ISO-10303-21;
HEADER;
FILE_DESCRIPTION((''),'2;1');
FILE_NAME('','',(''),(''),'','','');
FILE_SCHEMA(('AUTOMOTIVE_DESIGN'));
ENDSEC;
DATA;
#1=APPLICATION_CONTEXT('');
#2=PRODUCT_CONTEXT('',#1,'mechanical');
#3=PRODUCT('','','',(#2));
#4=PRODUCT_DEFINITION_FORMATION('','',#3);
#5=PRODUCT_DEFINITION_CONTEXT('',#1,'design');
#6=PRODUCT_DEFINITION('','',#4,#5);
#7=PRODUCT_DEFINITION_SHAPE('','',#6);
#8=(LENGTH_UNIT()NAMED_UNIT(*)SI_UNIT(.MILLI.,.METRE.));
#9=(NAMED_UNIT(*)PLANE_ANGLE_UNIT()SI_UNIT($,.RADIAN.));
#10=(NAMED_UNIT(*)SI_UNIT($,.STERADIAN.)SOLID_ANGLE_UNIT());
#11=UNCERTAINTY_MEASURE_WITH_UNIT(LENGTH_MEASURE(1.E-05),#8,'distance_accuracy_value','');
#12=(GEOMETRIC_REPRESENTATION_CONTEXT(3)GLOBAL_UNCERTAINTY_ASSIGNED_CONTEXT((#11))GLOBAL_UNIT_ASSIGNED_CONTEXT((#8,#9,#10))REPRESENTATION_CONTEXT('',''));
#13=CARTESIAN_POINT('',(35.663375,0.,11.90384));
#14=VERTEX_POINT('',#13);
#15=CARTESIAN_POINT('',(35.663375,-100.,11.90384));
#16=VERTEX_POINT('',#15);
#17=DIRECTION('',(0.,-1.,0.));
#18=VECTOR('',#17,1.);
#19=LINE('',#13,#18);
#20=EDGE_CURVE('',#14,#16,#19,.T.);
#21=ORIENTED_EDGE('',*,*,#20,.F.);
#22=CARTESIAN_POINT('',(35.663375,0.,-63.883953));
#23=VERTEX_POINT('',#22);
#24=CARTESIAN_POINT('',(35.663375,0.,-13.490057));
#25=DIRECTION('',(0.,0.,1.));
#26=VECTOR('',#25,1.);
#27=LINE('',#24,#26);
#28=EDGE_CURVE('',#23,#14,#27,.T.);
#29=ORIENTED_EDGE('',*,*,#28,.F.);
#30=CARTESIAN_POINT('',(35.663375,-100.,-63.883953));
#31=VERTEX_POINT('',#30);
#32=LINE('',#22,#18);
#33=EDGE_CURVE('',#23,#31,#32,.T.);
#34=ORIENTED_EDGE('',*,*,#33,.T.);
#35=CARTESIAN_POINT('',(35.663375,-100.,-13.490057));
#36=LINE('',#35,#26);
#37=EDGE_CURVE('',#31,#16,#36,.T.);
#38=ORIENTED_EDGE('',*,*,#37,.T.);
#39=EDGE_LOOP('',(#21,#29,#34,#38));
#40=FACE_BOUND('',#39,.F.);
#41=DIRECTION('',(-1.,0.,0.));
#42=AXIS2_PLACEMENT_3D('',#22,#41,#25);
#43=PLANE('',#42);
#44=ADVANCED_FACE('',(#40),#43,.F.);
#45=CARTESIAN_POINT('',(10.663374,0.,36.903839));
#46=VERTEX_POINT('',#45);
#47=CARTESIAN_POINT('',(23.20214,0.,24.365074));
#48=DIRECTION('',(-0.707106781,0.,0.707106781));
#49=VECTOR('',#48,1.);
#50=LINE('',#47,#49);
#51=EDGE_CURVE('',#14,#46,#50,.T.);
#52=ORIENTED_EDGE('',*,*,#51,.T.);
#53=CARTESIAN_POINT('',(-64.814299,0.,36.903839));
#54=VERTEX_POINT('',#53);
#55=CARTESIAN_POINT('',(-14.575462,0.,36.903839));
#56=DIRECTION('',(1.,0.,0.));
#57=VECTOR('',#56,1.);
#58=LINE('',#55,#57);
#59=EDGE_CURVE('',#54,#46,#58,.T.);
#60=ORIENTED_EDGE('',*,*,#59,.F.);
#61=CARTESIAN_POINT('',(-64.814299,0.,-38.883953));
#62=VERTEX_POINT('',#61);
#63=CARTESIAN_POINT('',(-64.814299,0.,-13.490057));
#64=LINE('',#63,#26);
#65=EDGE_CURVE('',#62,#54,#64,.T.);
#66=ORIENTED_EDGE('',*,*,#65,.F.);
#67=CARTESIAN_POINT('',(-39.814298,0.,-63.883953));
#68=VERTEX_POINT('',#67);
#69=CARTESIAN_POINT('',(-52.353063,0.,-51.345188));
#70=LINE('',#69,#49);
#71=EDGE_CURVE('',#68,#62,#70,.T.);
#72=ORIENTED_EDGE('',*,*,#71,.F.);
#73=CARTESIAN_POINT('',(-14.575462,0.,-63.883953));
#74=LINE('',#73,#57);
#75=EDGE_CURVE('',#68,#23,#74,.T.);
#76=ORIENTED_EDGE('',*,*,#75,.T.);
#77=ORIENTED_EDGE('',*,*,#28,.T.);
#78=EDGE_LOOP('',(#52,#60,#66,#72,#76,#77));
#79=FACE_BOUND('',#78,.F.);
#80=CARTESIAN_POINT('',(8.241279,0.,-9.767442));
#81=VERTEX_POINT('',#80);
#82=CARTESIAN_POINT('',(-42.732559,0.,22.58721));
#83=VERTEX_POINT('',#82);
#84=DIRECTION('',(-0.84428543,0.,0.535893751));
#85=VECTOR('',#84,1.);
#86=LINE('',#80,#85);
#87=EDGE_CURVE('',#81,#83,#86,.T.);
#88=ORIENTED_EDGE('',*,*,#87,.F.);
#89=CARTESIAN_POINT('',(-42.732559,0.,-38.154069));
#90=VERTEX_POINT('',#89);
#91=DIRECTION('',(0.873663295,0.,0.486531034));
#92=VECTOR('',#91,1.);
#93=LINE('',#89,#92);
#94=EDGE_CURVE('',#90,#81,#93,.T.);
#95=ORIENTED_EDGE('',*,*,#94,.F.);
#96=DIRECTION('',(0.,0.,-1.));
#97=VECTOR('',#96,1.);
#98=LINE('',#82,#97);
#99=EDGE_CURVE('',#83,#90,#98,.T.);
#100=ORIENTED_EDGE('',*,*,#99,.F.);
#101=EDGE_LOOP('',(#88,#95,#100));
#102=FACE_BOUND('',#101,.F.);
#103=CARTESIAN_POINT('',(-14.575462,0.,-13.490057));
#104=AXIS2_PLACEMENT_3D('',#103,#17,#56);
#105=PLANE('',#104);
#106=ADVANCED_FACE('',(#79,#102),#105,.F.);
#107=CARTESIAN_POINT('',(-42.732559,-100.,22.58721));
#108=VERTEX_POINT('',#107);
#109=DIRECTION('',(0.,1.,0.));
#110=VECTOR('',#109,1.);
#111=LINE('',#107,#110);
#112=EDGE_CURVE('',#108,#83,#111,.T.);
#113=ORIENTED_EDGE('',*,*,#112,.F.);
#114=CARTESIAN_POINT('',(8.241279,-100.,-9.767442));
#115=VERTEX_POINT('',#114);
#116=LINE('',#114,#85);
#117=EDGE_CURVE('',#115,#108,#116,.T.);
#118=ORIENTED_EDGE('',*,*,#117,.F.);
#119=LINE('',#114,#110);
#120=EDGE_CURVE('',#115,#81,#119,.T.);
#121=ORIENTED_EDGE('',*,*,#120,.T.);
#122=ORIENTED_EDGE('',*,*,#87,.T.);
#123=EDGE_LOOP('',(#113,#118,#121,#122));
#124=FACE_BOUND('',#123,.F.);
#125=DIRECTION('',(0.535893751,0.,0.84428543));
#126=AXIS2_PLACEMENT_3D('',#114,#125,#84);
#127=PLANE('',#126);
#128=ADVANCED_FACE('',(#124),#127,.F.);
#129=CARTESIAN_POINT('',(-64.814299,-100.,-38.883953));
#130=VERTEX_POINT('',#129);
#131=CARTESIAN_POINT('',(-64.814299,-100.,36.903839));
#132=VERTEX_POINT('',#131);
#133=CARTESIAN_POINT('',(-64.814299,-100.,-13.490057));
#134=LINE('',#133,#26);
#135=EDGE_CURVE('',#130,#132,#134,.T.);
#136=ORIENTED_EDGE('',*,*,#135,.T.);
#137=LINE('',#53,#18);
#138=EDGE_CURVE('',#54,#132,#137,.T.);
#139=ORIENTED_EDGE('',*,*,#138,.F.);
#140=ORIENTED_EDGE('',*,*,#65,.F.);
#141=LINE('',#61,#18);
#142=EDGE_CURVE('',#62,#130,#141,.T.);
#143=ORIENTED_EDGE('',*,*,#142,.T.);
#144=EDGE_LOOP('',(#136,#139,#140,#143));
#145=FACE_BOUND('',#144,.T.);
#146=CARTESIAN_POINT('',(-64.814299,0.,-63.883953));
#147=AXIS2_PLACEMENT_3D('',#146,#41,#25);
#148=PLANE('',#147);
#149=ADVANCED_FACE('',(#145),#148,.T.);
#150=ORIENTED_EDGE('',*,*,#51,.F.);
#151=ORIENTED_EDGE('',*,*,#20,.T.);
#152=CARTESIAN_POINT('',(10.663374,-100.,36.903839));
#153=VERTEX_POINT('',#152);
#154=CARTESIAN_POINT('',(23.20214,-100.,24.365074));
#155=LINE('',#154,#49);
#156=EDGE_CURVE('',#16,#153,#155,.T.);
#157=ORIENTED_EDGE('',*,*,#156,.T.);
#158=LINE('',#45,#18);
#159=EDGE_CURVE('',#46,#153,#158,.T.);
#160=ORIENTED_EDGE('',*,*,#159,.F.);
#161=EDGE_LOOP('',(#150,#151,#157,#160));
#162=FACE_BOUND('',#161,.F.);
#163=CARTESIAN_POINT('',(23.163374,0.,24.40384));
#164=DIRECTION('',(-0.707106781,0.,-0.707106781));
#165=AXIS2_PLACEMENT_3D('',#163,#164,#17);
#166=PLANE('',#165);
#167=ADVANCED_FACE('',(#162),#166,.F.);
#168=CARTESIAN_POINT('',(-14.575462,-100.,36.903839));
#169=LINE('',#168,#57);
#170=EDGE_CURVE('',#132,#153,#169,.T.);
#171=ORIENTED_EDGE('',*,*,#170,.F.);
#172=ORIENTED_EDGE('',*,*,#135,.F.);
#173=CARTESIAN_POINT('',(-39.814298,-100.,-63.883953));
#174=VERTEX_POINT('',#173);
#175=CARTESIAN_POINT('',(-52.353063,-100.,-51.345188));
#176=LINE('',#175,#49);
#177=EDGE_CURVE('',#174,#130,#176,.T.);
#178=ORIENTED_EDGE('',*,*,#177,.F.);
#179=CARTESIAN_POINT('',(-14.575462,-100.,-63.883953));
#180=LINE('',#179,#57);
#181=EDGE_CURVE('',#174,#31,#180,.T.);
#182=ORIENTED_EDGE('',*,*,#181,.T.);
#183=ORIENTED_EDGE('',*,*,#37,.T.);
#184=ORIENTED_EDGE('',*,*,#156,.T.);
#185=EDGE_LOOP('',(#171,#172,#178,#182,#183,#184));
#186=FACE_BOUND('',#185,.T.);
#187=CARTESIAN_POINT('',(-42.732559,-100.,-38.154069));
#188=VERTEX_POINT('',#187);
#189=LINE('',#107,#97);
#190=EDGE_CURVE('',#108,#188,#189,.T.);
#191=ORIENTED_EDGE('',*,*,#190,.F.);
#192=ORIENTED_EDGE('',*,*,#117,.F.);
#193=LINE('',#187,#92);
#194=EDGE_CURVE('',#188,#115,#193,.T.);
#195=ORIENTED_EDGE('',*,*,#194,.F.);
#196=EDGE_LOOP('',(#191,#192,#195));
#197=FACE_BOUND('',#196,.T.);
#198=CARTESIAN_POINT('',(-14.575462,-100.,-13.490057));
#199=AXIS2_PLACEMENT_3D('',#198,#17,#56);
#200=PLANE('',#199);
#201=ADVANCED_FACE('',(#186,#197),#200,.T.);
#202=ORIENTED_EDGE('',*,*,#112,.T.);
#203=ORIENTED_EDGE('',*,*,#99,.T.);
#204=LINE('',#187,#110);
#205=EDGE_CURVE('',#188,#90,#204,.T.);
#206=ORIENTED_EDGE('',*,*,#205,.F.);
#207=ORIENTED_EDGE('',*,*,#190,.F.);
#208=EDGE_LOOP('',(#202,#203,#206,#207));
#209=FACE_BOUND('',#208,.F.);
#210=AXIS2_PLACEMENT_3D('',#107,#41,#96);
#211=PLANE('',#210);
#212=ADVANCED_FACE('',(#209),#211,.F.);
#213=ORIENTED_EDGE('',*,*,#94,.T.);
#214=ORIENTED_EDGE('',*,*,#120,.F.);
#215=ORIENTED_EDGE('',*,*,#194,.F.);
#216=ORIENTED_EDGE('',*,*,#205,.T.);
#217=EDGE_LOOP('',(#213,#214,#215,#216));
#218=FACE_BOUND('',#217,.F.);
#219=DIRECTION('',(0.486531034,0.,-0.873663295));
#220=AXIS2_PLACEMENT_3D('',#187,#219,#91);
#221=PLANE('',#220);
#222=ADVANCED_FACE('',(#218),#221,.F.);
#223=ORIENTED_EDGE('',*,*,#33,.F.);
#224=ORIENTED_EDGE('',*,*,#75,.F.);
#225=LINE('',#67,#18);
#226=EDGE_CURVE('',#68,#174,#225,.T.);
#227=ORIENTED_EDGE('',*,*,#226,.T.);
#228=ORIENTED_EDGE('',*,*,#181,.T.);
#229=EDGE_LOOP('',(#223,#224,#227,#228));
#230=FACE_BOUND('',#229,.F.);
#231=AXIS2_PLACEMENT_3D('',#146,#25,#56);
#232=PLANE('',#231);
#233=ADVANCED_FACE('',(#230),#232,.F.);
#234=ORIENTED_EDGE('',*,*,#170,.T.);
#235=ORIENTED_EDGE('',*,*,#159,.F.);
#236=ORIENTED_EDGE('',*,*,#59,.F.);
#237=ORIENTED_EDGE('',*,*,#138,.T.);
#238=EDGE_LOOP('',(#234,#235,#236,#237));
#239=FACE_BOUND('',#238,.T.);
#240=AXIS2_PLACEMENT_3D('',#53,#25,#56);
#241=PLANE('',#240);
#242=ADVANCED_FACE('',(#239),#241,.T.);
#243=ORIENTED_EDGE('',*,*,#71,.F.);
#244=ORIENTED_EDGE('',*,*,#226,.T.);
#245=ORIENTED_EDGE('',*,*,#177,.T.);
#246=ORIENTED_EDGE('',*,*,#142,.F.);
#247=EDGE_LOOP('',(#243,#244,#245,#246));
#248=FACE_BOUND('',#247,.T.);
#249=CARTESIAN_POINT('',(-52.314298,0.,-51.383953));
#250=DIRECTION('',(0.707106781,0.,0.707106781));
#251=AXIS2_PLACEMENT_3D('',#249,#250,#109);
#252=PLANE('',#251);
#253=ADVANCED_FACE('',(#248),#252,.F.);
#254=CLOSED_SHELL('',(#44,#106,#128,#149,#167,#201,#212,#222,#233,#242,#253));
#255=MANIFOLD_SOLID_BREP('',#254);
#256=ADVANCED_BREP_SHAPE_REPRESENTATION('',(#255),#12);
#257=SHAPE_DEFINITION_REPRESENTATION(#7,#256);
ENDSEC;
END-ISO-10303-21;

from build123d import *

# Parameters (mm, degrees)
F0_W     = 100.477673
F0_H     = 100.787793
F1_DEPTH = 100
F2_SIZE  = 25
F3_SIZE  = 25
F5_DEPTH = 100


with BuildPart() as f1:
    # F0 (on Front) → F1 (new body)
    with BuildSketch(Plane.XZ):
        with Locations((-14.575462, -13.490057)):
            Rectangle(F0_W, F0_H)
    extrude(amount=F1_DEPTH)

    # F2
    f2_edges = [f1.edges().sort_by_distance(p)[0] for p in [
        (35.663374, -50, 36.90384),
    ]]
    chamfer(f2_edges, length=F2_SIZE)

    # F3
    f3_edges = [f1.edges().sort_by_distance(p)[0] for p in [
        (-64.814299, -50, -63.883953),
    ]]
    chamfer(f3_edges, length=F3_SIZE)

    # F4 (on face) → F5 (cut)
    with BuildSketch(Plane.XZ.offset(100)):
        Polygon((-42.732559, 22.58721), (-42.732559, -38.154069), (8.241279, -9.767442), align=None)
    extrude(amount=-F5_DEPTH, mode=Mode.SUBTRACT)


solid = f1.part
